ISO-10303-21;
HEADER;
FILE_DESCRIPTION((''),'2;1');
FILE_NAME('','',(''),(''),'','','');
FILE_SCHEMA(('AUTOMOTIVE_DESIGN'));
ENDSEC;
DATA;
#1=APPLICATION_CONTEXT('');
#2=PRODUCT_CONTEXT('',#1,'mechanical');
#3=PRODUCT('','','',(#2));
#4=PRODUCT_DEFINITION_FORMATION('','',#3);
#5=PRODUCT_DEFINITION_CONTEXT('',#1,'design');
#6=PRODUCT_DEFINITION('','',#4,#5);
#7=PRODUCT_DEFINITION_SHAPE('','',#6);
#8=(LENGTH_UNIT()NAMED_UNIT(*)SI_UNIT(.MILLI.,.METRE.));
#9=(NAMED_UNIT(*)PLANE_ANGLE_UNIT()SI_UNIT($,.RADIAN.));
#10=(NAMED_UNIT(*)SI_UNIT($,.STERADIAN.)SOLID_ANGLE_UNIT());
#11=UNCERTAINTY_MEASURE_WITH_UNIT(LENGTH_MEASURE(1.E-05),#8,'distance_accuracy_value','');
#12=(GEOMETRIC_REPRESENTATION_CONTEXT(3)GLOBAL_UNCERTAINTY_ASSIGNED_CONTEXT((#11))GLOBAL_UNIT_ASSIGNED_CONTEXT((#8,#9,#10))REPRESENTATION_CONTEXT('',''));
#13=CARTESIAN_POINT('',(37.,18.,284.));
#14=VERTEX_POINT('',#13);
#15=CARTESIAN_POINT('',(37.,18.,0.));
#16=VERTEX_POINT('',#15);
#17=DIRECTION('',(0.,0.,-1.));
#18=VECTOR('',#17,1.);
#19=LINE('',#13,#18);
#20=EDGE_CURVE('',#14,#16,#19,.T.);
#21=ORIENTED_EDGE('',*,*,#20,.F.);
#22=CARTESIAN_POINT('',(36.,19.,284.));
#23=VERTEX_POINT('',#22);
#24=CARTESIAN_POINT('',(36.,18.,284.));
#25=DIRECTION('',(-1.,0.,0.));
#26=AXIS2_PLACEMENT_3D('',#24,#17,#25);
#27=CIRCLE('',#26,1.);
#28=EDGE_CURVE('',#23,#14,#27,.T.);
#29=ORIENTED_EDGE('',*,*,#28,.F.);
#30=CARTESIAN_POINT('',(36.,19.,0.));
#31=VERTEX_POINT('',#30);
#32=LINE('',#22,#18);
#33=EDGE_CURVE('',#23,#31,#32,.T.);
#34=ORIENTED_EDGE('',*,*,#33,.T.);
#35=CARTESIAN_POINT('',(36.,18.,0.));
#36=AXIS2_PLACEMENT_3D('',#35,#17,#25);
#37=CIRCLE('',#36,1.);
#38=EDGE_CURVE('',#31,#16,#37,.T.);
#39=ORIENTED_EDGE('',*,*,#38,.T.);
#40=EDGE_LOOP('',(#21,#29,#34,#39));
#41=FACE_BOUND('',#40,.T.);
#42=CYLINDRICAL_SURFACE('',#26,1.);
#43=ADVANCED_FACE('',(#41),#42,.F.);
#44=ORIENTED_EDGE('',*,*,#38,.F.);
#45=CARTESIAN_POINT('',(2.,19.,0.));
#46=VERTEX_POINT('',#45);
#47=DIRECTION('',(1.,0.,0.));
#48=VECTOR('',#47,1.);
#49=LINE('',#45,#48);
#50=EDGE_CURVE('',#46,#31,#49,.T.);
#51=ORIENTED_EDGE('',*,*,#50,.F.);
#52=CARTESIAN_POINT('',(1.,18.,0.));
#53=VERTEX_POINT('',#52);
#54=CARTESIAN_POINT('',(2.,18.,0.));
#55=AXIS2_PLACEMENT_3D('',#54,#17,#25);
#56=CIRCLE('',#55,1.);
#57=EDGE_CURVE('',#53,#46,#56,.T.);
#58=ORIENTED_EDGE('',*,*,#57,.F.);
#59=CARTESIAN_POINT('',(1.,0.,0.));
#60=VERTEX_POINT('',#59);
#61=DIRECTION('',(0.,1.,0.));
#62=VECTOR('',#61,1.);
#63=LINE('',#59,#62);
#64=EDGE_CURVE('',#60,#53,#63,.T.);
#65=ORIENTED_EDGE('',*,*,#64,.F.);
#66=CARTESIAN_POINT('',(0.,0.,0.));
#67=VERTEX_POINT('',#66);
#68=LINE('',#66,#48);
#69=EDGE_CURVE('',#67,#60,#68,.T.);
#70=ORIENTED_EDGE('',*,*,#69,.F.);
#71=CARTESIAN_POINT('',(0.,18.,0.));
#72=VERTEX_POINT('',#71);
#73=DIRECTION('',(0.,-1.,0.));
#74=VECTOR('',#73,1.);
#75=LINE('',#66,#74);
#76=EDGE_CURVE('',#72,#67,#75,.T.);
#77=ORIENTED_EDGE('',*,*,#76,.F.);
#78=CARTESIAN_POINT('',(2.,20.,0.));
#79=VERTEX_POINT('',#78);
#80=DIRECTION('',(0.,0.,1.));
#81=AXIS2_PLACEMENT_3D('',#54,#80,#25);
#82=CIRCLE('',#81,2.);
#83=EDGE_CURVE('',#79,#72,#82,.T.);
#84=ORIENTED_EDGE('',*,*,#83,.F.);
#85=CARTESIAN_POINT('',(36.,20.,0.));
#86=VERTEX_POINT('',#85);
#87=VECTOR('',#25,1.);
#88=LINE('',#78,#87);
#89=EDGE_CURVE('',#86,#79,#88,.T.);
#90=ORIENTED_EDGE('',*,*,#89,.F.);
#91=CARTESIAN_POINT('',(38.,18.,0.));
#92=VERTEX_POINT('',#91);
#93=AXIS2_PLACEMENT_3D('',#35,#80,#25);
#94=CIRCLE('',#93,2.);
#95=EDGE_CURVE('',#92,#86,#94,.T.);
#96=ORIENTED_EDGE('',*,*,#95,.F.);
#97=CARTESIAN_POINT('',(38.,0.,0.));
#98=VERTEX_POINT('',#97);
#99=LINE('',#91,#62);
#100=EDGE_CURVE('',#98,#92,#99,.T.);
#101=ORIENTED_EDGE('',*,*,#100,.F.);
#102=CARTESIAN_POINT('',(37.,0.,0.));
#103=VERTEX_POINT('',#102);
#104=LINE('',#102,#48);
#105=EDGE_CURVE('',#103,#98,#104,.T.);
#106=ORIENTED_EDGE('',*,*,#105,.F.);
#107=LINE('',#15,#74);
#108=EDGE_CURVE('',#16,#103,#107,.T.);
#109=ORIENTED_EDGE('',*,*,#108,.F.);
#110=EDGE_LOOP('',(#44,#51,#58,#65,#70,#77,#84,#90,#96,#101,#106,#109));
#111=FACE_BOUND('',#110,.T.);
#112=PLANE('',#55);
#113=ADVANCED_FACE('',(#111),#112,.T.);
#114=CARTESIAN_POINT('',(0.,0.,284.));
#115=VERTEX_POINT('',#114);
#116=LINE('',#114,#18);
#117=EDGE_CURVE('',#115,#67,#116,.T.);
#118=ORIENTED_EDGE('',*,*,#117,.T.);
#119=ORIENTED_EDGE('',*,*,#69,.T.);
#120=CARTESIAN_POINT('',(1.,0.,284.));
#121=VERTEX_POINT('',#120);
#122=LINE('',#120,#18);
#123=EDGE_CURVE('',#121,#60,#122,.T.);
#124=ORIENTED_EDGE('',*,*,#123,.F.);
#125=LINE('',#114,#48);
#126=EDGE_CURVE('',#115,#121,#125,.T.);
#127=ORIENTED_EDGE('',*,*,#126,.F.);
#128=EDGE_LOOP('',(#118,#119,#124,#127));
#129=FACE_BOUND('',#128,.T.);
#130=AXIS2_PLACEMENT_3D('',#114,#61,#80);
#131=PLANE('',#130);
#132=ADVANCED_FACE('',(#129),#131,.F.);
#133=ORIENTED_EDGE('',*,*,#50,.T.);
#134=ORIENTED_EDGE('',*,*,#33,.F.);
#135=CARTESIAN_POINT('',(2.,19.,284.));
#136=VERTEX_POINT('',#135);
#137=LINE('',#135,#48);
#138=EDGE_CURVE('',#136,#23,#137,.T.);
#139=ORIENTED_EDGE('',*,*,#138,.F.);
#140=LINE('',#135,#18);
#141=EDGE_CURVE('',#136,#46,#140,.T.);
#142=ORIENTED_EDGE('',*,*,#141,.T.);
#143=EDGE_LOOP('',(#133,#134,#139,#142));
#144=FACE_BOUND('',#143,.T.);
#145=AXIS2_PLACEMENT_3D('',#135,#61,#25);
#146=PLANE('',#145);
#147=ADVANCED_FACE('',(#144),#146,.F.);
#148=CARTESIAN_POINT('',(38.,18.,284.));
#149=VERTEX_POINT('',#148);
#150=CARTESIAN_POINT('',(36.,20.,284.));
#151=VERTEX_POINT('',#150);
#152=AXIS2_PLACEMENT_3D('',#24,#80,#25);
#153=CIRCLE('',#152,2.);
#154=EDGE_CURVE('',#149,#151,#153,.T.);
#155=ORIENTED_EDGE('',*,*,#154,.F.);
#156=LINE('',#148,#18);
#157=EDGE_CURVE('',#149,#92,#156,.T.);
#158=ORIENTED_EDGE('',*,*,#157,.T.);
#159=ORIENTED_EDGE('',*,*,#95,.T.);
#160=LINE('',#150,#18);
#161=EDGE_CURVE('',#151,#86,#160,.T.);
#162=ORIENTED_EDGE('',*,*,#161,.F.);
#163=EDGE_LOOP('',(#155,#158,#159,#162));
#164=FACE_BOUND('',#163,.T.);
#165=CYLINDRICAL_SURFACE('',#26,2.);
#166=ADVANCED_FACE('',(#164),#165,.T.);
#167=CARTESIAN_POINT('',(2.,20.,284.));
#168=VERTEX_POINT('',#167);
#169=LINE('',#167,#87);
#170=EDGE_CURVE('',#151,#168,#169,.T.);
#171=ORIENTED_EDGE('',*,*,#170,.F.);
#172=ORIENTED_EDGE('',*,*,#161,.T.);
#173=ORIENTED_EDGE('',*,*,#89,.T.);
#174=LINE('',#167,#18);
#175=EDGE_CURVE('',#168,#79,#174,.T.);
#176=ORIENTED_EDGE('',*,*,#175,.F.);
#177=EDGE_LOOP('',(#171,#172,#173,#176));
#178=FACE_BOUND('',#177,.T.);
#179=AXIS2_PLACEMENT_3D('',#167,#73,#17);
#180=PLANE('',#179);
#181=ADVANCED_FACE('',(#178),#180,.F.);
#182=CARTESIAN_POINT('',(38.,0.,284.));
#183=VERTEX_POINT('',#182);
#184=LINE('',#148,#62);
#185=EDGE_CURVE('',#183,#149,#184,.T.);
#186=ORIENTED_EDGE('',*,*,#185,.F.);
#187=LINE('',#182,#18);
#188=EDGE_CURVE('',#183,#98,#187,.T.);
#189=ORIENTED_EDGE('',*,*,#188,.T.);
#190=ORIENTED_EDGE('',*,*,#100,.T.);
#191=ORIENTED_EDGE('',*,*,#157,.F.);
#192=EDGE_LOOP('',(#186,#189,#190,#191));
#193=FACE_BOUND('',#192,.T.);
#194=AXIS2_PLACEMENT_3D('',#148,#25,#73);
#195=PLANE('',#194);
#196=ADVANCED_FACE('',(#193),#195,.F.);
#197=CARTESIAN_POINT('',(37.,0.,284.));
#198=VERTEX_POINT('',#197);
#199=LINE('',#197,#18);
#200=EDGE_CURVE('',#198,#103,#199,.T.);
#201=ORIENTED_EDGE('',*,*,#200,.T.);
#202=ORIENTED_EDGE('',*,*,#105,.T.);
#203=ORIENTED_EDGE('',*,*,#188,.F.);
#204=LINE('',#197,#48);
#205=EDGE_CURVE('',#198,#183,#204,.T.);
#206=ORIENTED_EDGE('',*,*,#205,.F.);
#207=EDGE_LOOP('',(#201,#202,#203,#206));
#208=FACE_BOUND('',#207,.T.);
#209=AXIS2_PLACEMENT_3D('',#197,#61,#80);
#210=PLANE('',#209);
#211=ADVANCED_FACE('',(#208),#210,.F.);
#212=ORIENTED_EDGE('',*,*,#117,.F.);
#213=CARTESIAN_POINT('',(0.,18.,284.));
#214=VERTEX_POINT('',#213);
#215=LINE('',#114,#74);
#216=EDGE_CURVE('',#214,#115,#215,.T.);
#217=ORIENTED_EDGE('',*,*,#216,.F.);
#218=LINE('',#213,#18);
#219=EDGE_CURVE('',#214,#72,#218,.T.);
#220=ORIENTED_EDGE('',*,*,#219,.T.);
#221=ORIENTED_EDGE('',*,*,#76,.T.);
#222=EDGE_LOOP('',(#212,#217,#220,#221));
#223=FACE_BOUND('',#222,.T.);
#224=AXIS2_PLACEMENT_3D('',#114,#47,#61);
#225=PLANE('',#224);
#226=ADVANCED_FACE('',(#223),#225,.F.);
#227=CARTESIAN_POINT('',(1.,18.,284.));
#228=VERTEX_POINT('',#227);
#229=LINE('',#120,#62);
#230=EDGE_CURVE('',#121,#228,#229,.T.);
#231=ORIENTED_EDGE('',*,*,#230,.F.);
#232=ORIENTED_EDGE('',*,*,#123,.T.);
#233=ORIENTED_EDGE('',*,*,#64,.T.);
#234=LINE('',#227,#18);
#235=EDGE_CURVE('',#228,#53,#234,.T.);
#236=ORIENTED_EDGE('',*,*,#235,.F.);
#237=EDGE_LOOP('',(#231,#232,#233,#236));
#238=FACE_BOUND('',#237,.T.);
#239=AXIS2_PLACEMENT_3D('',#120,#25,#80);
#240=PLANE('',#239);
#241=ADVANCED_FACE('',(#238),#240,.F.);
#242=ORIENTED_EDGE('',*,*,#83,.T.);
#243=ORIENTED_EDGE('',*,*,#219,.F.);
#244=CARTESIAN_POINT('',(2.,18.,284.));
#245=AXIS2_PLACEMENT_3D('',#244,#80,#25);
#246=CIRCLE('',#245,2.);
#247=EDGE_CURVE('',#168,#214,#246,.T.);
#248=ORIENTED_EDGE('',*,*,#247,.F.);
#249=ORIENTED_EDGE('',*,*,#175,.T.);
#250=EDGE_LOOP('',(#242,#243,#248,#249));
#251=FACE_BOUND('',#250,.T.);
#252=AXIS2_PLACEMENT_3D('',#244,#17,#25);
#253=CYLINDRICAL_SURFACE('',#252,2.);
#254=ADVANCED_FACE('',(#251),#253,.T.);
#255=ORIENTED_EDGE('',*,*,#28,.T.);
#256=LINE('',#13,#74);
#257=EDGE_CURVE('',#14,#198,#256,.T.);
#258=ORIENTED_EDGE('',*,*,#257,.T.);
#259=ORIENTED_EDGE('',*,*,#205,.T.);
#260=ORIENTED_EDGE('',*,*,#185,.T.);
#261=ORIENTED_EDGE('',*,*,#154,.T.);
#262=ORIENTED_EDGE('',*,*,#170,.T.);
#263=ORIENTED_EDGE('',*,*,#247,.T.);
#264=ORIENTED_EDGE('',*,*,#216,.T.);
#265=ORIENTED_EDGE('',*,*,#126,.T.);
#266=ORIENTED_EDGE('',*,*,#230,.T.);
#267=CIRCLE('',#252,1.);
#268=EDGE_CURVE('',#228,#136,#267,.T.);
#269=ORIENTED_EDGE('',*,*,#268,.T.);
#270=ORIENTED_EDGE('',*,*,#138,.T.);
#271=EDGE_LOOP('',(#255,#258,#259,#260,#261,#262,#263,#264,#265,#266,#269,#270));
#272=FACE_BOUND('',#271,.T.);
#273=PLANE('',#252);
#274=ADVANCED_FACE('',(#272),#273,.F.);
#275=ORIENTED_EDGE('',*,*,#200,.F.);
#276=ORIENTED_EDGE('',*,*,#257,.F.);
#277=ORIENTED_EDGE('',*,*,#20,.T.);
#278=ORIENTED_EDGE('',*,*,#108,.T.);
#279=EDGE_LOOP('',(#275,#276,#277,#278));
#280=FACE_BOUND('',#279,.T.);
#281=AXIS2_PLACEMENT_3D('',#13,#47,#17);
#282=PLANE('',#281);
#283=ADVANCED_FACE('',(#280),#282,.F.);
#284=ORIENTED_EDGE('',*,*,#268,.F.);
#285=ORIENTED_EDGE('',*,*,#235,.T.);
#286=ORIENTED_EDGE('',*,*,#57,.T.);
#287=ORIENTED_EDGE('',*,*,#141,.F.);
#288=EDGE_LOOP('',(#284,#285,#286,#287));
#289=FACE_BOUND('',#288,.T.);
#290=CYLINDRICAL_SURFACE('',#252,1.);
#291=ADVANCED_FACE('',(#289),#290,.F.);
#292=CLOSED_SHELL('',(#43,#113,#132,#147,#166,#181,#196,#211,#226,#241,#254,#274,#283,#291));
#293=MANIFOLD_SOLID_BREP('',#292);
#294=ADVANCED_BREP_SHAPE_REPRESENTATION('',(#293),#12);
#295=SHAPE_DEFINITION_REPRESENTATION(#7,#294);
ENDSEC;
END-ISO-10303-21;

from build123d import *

# Parameters (mm, degrees)
BOSS_EXTRUDE1_DEPTH = 284


with BuildPart() as part:
    # Sketch1 → Boss-Extrude1 (new body)
    with BuildSketch(Plane.XY):
        with BuildLine():
            Line((0, 0), (0, 18))
            ThreePointArc((0, 18), (0.585786438, 19.414213562), (2, 20))
            Line((2, 20), (36, 20))
            ThreePointArc((36, 20), (37.414213562, 19.414213562), (38, 18))
            Line((38, 18), (38, 0))
            Line((38, 0), (37, 0))
            Line((37, 0), (37, 18))
            ThreePointArc((37, 18), (36.707106781, 18.707106781), (36, 19))
            Line((36, 19), (2, 19))
            ThreePointArc((2, 19), (1.292893219, 18.707106781), (1, 18))
            Line((1, 18), (1, 0))
            Line((1, 0), (0, 0))
        make_face()
    extrude(amount=BOSS_EXTRUDE1_DEPTH)


solid = part.part
